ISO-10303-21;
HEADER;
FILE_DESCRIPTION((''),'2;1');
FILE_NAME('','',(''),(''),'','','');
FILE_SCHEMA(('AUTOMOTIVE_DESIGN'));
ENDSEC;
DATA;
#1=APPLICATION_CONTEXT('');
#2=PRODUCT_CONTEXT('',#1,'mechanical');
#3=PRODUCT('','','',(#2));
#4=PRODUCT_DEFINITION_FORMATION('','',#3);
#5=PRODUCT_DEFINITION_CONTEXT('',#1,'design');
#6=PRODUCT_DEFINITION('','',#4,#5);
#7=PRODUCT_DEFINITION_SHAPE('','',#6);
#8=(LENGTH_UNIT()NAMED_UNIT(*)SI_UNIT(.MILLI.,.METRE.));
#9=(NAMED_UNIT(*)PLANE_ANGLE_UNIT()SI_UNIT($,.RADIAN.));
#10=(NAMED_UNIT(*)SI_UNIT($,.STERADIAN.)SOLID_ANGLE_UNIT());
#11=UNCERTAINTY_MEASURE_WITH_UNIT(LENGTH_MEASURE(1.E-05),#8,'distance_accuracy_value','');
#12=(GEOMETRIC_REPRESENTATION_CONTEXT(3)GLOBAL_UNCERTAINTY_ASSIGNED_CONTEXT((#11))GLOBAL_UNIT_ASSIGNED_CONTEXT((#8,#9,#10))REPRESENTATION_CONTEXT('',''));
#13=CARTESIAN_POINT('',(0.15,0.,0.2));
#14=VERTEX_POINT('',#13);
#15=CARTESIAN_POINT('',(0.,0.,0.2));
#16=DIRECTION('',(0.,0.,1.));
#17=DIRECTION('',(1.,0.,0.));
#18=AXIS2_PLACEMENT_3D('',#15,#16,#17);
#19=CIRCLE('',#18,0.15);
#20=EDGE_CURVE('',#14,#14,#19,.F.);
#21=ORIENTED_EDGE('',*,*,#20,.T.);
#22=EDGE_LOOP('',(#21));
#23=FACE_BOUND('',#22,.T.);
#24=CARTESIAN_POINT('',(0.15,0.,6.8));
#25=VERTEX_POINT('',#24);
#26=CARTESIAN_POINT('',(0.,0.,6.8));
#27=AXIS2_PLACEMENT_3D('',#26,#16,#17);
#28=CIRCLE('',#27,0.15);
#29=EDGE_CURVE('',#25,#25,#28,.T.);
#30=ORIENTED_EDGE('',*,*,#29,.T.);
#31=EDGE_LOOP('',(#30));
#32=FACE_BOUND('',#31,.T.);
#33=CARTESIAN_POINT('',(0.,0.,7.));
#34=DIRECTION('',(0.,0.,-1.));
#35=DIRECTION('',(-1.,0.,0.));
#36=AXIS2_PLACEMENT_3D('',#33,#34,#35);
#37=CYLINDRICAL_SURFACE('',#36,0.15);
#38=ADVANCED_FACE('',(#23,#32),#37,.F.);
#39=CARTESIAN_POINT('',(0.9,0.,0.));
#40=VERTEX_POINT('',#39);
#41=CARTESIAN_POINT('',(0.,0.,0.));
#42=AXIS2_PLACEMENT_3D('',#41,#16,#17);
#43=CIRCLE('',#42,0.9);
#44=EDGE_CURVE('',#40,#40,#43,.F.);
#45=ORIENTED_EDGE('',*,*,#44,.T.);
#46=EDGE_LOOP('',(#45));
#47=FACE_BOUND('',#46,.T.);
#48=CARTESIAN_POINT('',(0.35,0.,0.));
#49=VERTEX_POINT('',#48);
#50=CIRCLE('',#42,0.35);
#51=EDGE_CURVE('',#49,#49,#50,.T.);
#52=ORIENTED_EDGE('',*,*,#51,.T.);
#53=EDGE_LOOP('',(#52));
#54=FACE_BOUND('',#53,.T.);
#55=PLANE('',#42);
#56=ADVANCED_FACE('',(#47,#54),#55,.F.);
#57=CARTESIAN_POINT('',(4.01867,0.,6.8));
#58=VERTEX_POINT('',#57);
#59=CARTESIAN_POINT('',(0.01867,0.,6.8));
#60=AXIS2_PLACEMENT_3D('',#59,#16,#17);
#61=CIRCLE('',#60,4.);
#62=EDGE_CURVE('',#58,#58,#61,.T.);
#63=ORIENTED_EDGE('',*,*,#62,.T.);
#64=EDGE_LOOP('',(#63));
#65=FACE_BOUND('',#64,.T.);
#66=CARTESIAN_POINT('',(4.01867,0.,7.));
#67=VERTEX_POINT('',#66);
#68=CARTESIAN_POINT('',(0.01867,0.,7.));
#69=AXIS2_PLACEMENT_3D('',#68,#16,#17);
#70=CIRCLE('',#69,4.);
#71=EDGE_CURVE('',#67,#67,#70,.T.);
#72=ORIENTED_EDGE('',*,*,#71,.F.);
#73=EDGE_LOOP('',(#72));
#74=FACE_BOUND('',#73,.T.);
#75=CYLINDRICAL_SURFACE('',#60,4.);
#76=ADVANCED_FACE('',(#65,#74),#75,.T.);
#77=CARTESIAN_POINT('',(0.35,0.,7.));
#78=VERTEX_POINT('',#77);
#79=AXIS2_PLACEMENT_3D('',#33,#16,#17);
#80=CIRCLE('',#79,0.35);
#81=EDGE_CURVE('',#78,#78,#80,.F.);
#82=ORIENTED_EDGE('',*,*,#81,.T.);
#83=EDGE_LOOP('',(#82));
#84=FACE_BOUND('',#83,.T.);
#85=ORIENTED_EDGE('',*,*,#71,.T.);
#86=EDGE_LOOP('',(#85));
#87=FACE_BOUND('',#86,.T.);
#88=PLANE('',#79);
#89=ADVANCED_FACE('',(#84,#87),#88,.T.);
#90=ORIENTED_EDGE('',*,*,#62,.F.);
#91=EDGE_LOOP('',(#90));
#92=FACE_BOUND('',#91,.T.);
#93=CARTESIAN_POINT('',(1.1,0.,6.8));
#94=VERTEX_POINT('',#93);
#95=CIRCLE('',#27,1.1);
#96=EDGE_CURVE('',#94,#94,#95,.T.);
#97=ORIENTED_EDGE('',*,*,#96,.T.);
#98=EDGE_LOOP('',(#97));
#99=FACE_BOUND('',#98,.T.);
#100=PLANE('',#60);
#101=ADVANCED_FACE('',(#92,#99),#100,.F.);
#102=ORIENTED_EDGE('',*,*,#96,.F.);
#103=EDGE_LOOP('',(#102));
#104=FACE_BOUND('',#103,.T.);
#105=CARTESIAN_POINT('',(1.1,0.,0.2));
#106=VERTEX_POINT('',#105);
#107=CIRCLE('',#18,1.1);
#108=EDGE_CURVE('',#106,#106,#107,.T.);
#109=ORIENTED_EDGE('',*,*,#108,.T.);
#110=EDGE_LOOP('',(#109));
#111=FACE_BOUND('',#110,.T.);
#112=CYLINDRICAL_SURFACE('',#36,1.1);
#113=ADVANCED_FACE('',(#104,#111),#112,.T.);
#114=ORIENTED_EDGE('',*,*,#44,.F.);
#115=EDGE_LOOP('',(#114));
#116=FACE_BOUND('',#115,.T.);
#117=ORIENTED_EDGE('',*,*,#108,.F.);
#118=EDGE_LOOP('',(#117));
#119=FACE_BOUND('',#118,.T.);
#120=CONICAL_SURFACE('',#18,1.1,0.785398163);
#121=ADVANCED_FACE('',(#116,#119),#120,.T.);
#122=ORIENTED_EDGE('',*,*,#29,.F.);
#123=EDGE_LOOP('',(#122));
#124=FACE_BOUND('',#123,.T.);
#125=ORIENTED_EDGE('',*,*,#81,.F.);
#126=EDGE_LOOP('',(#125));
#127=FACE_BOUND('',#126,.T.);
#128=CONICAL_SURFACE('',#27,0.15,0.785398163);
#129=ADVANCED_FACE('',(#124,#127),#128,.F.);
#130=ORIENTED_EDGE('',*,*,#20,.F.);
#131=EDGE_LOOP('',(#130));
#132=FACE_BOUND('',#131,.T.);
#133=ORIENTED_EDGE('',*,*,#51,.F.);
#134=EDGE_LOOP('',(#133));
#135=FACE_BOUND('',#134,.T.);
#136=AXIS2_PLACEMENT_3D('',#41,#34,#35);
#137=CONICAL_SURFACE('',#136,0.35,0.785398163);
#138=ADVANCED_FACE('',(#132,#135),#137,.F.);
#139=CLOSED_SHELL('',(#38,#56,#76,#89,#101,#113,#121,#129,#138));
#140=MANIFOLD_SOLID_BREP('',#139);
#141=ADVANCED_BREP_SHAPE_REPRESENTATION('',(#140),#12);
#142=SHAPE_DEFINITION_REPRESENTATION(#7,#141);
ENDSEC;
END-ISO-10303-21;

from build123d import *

# Parameters (mm, degrees)
SKETCH1_R           = 1.1
SKETCH1_R_2         = 0.15
BOSS_EXTRUDE1_DEPTH = 7
SKETCH2_R           = 4
SKETCH2_R_2         = 1.1
BOSS_EXTRUDE2_DEPTH = 0.2
CHAMFER1_SIZE       = 0.2


with BuildPart() as part:
    # Sketch1 → Boss-Extrude1 (new body)
    with BuildSketch(Plane.XY):
        Circle(SKETCH1_R)
        Circle(SKETCH1_R_2, mode=Mode.SUBTRACT)
    extrude(amount=BOSS_EXTRUDE1_DEPTH)

    # Sketch2 → Boss-Extrude2 (add)
    with BuildSketch(Plane.XY.offset(7)):
        with Locations((0.018669882, 0)):
            Circle(SKETCH2_R)
        Circle(SKETCH2_R_2, mode=Mode.SUBTRACT)
    extrude(amount=-BOSS_EXTRUDE2_DEPTH)

    # Chamfer1
    chamfer1_edges = [part.edges().sort_by_distance(p)[0] for p in [
        (-1.1, 0, 0),
        (-0.15, 0, 0),
        (-0.15, 0, 7),
    ]]
    chamfer(chamfer1_edges, length=CHAMFER1_SIZE)


solid = part.part
